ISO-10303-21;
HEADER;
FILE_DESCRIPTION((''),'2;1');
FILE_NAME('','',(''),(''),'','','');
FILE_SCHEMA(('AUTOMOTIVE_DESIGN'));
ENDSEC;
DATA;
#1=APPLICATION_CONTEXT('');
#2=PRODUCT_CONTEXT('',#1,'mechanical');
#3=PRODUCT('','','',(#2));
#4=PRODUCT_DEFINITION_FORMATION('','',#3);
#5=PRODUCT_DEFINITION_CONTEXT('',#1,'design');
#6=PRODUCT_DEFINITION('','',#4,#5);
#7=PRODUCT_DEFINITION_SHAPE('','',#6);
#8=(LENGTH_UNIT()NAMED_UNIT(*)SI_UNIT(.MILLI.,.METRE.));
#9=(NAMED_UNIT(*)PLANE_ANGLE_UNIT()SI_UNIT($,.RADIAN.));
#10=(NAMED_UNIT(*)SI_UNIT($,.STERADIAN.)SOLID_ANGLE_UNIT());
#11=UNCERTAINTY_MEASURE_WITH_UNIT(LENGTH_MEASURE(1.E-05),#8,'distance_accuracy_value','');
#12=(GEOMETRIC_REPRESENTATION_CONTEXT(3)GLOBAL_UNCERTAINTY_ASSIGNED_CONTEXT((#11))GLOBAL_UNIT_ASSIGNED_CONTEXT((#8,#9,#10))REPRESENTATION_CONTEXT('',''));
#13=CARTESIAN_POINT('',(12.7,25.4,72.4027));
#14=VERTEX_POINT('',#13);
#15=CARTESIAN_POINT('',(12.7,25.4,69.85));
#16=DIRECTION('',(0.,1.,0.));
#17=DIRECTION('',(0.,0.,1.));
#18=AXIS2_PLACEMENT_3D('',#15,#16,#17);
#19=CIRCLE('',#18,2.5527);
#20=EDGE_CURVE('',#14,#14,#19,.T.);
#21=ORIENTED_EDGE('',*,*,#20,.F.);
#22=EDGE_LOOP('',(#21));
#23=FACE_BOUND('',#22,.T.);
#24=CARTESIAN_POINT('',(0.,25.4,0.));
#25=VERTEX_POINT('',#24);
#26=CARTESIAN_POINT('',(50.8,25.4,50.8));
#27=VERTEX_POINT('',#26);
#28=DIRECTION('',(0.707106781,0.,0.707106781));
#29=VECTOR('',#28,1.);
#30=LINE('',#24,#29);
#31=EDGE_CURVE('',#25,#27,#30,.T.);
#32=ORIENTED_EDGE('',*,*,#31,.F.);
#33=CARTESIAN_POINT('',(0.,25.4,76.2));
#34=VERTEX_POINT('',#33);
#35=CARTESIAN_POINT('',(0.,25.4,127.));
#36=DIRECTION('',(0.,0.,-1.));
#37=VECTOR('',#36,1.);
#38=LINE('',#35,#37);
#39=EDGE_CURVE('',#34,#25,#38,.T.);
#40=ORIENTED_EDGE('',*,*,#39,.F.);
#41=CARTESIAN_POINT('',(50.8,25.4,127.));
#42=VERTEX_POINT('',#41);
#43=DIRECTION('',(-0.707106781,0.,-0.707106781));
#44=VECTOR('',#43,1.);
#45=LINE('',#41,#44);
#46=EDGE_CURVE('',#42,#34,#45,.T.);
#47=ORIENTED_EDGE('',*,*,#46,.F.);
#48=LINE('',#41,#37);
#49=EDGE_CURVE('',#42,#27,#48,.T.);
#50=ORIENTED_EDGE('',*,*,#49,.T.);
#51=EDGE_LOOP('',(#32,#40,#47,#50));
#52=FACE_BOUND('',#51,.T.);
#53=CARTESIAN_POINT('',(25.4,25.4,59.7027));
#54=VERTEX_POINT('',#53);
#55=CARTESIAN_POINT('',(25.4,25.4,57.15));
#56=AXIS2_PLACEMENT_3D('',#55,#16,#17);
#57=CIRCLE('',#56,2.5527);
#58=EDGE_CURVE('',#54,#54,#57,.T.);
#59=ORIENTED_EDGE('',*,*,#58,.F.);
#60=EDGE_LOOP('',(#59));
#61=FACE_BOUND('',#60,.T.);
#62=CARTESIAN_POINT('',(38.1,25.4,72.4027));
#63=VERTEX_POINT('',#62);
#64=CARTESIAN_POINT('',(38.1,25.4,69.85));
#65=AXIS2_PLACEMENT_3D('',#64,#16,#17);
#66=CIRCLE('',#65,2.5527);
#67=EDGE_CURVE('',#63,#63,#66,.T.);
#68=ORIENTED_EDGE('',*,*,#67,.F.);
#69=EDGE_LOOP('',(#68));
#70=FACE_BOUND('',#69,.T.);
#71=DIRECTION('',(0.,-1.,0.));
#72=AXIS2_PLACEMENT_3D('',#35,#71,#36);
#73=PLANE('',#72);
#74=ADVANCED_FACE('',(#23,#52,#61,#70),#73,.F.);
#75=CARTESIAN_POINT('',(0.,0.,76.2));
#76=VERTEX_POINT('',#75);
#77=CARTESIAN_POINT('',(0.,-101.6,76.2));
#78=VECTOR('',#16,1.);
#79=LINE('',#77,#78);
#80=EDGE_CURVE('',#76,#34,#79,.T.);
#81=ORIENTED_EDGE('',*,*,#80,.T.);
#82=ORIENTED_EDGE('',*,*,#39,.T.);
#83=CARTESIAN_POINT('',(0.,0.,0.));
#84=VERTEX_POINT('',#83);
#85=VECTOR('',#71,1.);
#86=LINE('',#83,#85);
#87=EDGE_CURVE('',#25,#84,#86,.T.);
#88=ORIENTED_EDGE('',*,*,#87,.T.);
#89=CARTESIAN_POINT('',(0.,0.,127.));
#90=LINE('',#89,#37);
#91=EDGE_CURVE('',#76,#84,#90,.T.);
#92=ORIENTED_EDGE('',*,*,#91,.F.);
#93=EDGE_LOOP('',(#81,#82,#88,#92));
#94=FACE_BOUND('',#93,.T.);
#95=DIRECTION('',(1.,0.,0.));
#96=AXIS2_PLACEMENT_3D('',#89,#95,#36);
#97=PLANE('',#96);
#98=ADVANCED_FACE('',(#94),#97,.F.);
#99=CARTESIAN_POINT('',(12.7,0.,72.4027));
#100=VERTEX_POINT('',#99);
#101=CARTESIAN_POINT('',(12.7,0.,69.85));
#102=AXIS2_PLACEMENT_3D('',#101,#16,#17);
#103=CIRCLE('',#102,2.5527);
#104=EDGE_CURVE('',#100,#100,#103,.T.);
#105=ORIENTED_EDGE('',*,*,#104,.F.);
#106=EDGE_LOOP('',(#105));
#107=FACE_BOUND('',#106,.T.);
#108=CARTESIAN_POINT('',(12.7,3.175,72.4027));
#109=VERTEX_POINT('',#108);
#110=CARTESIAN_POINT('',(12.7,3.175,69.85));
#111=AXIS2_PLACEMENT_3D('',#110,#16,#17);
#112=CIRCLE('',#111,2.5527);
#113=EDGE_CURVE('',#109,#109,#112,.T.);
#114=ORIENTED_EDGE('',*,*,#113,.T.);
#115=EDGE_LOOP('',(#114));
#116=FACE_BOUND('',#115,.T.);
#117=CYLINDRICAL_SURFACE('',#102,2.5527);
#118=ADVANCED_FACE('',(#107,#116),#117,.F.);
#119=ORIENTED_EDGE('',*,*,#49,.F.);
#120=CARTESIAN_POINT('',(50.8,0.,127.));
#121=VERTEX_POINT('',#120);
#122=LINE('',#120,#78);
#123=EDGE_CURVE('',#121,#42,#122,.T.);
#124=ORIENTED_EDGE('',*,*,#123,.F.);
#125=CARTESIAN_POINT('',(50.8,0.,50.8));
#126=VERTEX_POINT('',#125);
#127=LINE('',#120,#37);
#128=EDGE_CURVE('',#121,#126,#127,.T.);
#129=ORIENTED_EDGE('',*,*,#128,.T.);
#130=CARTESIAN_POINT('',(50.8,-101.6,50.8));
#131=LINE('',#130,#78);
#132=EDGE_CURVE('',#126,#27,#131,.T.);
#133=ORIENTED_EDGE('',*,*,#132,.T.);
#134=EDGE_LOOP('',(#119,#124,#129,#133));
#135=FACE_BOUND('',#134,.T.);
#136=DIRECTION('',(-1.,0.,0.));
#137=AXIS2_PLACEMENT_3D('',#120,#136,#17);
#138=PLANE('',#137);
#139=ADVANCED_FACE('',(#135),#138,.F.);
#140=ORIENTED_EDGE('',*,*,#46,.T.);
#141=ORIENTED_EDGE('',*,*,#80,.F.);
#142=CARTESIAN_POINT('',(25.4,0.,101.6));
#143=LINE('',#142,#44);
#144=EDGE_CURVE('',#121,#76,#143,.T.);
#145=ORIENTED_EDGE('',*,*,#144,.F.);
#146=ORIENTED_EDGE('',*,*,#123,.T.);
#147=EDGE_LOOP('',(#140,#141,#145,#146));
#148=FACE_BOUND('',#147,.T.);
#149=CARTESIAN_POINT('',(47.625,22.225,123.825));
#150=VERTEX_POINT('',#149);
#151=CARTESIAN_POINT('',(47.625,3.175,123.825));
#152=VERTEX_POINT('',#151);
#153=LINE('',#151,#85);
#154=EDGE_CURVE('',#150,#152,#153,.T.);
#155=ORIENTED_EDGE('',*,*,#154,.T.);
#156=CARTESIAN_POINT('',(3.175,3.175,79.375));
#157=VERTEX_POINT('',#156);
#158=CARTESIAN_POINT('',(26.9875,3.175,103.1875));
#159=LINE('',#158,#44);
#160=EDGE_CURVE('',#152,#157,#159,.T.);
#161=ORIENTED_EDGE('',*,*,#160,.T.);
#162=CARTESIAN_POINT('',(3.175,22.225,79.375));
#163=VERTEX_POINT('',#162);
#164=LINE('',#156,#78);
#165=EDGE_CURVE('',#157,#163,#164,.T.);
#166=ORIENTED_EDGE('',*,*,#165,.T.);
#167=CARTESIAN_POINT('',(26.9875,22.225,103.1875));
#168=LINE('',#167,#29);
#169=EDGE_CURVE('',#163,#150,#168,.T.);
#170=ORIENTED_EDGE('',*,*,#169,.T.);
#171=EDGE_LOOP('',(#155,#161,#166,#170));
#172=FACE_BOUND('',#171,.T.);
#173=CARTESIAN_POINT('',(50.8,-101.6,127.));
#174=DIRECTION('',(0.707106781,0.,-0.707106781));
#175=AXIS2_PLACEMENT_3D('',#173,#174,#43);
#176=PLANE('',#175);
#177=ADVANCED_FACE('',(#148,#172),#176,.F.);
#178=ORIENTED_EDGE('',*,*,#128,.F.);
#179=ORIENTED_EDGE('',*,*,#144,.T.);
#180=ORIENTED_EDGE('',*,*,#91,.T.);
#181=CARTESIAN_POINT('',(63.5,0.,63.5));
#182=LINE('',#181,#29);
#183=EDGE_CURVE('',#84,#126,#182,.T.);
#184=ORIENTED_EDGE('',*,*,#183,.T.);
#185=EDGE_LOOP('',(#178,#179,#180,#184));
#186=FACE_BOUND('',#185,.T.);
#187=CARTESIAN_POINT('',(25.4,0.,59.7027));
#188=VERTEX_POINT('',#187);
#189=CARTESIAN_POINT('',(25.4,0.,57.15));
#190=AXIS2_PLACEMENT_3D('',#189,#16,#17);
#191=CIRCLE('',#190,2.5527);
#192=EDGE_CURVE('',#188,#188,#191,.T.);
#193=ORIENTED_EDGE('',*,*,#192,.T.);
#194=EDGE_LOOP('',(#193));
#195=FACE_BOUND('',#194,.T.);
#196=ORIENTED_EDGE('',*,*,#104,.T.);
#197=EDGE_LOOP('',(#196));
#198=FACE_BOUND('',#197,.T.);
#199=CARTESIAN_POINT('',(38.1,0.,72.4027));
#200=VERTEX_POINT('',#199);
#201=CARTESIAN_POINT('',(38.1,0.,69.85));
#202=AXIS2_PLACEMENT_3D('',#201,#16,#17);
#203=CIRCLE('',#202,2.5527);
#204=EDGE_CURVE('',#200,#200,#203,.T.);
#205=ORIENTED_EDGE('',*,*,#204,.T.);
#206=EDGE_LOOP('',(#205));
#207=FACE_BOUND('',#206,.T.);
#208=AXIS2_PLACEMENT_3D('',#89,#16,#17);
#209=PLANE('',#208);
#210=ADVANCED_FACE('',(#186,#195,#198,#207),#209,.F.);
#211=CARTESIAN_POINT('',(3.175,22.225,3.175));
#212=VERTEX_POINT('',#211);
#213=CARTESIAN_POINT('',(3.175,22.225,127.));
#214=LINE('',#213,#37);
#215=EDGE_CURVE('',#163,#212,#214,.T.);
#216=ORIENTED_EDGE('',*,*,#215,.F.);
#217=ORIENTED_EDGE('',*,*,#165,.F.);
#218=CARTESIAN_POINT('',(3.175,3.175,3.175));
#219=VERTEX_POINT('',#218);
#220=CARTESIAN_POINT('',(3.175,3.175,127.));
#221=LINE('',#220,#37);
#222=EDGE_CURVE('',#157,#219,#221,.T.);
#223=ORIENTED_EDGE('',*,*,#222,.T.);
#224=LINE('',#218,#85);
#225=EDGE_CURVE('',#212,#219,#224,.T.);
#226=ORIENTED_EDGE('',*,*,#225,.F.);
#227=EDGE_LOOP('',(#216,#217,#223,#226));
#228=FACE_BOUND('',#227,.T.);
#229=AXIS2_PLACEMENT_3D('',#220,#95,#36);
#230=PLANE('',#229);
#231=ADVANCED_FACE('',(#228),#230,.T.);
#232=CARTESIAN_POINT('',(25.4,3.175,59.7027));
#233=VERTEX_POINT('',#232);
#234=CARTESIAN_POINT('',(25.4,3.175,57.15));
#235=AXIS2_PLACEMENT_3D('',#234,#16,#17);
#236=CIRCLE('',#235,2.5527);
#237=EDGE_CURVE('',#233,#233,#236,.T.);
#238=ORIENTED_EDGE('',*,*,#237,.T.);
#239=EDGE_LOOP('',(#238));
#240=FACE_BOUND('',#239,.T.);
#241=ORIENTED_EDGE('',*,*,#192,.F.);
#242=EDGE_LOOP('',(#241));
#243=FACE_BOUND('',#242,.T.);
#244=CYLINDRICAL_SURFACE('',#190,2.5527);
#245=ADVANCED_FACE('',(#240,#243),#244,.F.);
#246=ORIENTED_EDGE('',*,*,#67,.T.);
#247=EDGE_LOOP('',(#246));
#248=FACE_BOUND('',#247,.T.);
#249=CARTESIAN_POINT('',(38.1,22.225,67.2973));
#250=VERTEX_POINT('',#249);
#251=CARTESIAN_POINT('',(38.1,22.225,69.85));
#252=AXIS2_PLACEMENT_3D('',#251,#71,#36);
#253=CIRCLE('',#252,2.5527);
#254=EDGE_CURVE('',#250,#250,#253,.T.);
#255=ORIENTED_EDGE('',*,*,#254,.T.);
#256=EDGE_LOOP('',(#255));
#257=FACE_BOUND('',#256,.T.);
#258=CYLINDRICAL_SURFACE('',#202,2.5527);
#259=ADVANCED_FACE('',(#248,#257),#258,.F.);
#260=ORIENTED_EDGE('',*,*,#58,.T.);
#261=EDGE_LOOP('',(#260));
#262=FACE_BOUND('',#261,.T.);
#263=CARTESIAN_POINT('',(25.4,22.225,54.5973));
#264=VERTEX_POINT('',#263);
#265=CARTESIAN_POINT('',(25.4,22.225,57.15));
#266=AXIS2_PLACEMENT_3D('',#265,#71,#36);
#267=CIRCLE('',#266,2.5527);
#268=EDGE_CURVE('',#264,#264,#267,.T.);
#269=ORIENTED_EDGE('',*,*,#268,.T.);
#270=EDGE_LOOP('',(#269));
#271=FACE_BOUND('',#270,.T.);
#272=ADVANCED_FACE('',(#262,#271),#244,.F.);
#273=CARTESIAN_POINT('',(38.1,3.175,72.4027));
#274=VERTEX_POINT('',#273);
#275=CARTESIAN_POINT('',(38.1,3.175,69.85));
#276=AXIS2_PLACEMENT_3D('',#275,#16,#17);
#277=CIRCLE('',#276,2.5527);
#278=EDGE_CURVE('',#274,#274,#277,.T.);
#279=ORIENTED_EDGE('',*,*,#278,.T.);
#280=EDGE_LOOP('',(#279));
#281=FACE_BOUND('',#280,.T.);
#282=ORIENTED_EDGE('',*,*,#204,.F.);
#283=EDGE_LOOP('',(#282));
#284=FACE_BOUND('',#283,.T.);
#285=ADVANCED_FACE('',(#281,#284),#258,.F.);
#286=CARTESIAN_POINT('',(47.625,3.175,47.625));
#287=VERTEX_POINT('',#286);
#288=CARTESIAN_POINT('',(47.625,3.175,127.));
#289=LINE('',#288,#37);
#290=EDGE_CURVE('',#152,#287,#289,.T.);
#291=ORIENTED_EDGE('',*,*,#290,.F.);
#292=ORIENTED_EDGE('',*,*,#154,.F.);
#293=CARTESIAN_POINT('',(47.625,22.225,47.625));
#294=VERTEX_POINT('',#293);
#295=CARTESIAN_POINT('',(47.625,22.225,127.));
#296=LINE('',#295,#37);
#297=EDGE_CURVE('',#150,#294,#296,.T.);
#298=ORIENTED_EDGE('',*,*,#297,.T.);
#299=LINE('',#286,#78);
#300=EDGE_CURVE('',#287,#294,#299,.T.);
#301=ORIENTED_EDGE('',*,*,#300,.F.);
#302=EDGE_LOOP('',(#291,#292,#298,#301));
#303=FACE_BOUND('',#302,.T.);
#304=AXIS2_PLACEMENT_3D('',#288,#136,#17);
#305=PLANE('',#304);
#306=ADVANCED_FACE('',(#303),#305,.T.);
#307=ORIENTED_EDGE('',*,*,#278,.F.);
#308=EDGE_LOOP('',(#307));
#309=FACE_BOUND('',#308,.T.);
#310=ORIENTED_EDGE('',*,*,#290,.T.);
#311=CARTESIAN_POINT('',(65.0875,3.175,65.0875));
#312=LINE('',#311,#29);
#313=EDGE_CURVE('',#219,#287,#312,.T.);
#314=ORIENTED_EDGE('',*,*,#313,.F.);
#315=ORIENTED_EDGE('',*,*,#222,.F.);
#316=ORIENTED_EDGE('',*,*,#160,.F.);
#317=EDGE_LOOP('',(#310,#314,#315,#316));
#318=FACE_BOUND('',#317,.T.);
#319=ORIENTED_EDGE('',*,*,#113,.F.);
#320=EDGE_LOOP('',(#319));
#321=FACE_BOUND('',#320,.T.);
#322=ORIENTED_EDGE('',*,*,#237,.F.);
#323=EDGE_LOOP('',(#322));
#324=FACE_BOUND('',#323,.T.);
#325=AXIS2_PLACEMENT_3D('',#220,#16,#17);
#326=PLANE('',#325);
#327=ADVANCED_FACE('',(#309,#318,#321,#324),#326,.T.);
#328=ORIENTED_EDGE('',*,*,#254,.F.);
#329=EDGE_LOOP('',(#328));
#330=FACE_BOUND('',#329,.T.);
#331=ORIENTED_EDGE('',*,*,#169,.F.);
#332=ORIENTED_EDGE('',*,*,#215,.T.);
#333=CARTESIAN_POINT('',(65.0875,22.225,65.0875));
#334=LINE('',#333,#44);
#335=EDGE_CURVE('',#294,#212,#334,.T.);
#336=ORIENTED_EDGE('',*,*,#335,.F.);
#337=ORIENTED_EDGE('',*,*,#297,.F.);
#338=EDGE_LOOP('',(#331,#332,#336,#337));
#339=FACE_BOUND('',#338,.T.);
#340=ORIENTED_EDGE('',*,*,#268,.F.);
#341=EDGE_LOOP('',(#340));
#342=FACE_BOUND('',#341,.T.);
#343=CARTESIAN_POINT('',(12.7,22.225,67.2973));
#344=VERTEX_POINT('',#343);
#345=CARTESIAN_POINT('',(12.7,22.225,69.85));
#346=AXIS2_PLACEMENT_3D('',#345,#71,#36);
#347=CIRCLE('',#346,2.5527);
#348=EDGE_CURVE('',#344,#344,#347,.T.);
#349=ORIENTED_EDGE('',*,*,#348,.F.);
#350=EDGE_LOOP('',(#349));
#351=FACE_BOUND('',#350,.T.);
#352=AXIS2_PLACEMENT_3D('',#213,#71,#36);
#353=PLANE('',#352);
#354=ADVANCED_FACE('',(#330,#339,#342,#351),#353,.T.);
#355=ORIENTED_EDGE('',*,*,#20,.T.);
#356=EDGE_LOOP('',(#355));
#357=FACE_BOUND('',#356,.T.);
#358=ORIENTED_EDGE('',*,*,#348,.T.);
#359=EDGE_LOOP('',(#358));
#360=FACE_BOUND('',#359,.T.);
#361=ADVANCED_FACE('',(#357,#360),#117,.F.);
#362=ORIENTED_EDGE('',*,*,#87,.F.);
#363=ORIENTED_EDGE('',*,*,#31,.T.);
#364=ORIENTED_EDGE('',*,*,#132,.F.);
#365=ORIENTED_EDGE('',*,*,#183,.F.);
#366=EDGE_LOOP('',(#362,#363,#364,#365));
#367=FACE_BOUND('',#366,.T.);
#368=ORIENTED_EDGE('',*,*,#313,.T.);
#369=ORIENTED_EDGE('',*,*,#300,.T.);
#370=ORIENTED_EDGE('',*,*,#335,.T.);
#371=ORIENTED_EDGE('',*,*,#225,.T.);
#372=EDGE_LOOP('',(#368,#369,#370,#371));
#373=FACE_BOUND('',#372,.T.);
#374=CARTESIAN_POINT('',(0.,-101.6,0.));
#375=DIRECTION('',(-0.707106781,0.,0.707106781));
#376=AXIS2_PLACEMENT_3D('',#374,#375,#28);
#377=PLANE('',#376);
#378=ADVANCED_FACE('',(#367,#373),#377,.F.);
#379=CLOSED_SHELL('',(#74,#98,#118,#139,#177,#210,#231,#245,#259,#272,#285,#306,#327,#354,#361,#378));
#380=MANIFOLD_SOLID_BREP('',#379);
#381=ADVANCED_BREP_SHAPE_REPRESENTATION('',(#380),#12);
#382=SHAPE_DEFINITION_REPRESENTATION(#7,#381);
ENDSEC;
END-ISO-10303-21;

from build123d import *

# Parameters (mm, degrees)
SKETCH1_W           = 50.8
SKETCH1_H           = 25.4
SKETCH1_W_2         = 44.45
SKETCH1_H_2         = 19.05
BOSS_EXTRUDE1_DEPTH = 127
CUT_EXTRUDE1_DEPTH  = 127
SKETCH3_R           = 2.5527
CUT_EXTRUDE2_DEPTH  = 25.4


with BuildPart() as part:
    # Sketch1 → Boss-Extrude1 (new body)
    with BuildSketch(Plane.XY):
        with Locations((25.4, 12.7)):
            Rectangle(SKETCH1_W, SKETCH1_H)
        with Locations((25.4, 12.7)):
            Rectangle(SKETCH1_W_2, SKETCH1_H_2, mode=Mode.SUBTRACT)
    extrude(amount=BOSS_EXTRUDE1_DEPTH)

    # Sketch2 → Cut-Extrude1 (cut)
    with BuildSketch(Plane(origin=(0, 25.4, 0), x_dir=(1, 0, 0), z_dir=(0, 1, 0))):
        Polygon((0, 0), (50.8, -50.8), (50.8, 0), align=None)
        Polygon((0, -76.2), (0, -127), (50.8, -127), align=None)
    extrude(amount=-CUT_EXTRUDE1_DEPTH, mode=Mode.SUBTRACT)

    # Sketch3 → Cut-Extrude2 (cut)
    with BuildSketch(Plane(origin=(0, 25.4, 0), x_dir=(1, 0, 0), z_dir=(0, 1, 0))):
        with Locations((12.7, -69.85)):
            Circle(SKETCH3_R)
        with Locations((38.1, -69.85)):
            Circle(SKETCH3_R)
        with Locations((25.4, -57.15)):
            Circle(SKETCH3_R)
    extrude(amount=-CUT_EXTRUDE2_DEPTH, mode=Mode.SUBTRACT)


solid = part.part
